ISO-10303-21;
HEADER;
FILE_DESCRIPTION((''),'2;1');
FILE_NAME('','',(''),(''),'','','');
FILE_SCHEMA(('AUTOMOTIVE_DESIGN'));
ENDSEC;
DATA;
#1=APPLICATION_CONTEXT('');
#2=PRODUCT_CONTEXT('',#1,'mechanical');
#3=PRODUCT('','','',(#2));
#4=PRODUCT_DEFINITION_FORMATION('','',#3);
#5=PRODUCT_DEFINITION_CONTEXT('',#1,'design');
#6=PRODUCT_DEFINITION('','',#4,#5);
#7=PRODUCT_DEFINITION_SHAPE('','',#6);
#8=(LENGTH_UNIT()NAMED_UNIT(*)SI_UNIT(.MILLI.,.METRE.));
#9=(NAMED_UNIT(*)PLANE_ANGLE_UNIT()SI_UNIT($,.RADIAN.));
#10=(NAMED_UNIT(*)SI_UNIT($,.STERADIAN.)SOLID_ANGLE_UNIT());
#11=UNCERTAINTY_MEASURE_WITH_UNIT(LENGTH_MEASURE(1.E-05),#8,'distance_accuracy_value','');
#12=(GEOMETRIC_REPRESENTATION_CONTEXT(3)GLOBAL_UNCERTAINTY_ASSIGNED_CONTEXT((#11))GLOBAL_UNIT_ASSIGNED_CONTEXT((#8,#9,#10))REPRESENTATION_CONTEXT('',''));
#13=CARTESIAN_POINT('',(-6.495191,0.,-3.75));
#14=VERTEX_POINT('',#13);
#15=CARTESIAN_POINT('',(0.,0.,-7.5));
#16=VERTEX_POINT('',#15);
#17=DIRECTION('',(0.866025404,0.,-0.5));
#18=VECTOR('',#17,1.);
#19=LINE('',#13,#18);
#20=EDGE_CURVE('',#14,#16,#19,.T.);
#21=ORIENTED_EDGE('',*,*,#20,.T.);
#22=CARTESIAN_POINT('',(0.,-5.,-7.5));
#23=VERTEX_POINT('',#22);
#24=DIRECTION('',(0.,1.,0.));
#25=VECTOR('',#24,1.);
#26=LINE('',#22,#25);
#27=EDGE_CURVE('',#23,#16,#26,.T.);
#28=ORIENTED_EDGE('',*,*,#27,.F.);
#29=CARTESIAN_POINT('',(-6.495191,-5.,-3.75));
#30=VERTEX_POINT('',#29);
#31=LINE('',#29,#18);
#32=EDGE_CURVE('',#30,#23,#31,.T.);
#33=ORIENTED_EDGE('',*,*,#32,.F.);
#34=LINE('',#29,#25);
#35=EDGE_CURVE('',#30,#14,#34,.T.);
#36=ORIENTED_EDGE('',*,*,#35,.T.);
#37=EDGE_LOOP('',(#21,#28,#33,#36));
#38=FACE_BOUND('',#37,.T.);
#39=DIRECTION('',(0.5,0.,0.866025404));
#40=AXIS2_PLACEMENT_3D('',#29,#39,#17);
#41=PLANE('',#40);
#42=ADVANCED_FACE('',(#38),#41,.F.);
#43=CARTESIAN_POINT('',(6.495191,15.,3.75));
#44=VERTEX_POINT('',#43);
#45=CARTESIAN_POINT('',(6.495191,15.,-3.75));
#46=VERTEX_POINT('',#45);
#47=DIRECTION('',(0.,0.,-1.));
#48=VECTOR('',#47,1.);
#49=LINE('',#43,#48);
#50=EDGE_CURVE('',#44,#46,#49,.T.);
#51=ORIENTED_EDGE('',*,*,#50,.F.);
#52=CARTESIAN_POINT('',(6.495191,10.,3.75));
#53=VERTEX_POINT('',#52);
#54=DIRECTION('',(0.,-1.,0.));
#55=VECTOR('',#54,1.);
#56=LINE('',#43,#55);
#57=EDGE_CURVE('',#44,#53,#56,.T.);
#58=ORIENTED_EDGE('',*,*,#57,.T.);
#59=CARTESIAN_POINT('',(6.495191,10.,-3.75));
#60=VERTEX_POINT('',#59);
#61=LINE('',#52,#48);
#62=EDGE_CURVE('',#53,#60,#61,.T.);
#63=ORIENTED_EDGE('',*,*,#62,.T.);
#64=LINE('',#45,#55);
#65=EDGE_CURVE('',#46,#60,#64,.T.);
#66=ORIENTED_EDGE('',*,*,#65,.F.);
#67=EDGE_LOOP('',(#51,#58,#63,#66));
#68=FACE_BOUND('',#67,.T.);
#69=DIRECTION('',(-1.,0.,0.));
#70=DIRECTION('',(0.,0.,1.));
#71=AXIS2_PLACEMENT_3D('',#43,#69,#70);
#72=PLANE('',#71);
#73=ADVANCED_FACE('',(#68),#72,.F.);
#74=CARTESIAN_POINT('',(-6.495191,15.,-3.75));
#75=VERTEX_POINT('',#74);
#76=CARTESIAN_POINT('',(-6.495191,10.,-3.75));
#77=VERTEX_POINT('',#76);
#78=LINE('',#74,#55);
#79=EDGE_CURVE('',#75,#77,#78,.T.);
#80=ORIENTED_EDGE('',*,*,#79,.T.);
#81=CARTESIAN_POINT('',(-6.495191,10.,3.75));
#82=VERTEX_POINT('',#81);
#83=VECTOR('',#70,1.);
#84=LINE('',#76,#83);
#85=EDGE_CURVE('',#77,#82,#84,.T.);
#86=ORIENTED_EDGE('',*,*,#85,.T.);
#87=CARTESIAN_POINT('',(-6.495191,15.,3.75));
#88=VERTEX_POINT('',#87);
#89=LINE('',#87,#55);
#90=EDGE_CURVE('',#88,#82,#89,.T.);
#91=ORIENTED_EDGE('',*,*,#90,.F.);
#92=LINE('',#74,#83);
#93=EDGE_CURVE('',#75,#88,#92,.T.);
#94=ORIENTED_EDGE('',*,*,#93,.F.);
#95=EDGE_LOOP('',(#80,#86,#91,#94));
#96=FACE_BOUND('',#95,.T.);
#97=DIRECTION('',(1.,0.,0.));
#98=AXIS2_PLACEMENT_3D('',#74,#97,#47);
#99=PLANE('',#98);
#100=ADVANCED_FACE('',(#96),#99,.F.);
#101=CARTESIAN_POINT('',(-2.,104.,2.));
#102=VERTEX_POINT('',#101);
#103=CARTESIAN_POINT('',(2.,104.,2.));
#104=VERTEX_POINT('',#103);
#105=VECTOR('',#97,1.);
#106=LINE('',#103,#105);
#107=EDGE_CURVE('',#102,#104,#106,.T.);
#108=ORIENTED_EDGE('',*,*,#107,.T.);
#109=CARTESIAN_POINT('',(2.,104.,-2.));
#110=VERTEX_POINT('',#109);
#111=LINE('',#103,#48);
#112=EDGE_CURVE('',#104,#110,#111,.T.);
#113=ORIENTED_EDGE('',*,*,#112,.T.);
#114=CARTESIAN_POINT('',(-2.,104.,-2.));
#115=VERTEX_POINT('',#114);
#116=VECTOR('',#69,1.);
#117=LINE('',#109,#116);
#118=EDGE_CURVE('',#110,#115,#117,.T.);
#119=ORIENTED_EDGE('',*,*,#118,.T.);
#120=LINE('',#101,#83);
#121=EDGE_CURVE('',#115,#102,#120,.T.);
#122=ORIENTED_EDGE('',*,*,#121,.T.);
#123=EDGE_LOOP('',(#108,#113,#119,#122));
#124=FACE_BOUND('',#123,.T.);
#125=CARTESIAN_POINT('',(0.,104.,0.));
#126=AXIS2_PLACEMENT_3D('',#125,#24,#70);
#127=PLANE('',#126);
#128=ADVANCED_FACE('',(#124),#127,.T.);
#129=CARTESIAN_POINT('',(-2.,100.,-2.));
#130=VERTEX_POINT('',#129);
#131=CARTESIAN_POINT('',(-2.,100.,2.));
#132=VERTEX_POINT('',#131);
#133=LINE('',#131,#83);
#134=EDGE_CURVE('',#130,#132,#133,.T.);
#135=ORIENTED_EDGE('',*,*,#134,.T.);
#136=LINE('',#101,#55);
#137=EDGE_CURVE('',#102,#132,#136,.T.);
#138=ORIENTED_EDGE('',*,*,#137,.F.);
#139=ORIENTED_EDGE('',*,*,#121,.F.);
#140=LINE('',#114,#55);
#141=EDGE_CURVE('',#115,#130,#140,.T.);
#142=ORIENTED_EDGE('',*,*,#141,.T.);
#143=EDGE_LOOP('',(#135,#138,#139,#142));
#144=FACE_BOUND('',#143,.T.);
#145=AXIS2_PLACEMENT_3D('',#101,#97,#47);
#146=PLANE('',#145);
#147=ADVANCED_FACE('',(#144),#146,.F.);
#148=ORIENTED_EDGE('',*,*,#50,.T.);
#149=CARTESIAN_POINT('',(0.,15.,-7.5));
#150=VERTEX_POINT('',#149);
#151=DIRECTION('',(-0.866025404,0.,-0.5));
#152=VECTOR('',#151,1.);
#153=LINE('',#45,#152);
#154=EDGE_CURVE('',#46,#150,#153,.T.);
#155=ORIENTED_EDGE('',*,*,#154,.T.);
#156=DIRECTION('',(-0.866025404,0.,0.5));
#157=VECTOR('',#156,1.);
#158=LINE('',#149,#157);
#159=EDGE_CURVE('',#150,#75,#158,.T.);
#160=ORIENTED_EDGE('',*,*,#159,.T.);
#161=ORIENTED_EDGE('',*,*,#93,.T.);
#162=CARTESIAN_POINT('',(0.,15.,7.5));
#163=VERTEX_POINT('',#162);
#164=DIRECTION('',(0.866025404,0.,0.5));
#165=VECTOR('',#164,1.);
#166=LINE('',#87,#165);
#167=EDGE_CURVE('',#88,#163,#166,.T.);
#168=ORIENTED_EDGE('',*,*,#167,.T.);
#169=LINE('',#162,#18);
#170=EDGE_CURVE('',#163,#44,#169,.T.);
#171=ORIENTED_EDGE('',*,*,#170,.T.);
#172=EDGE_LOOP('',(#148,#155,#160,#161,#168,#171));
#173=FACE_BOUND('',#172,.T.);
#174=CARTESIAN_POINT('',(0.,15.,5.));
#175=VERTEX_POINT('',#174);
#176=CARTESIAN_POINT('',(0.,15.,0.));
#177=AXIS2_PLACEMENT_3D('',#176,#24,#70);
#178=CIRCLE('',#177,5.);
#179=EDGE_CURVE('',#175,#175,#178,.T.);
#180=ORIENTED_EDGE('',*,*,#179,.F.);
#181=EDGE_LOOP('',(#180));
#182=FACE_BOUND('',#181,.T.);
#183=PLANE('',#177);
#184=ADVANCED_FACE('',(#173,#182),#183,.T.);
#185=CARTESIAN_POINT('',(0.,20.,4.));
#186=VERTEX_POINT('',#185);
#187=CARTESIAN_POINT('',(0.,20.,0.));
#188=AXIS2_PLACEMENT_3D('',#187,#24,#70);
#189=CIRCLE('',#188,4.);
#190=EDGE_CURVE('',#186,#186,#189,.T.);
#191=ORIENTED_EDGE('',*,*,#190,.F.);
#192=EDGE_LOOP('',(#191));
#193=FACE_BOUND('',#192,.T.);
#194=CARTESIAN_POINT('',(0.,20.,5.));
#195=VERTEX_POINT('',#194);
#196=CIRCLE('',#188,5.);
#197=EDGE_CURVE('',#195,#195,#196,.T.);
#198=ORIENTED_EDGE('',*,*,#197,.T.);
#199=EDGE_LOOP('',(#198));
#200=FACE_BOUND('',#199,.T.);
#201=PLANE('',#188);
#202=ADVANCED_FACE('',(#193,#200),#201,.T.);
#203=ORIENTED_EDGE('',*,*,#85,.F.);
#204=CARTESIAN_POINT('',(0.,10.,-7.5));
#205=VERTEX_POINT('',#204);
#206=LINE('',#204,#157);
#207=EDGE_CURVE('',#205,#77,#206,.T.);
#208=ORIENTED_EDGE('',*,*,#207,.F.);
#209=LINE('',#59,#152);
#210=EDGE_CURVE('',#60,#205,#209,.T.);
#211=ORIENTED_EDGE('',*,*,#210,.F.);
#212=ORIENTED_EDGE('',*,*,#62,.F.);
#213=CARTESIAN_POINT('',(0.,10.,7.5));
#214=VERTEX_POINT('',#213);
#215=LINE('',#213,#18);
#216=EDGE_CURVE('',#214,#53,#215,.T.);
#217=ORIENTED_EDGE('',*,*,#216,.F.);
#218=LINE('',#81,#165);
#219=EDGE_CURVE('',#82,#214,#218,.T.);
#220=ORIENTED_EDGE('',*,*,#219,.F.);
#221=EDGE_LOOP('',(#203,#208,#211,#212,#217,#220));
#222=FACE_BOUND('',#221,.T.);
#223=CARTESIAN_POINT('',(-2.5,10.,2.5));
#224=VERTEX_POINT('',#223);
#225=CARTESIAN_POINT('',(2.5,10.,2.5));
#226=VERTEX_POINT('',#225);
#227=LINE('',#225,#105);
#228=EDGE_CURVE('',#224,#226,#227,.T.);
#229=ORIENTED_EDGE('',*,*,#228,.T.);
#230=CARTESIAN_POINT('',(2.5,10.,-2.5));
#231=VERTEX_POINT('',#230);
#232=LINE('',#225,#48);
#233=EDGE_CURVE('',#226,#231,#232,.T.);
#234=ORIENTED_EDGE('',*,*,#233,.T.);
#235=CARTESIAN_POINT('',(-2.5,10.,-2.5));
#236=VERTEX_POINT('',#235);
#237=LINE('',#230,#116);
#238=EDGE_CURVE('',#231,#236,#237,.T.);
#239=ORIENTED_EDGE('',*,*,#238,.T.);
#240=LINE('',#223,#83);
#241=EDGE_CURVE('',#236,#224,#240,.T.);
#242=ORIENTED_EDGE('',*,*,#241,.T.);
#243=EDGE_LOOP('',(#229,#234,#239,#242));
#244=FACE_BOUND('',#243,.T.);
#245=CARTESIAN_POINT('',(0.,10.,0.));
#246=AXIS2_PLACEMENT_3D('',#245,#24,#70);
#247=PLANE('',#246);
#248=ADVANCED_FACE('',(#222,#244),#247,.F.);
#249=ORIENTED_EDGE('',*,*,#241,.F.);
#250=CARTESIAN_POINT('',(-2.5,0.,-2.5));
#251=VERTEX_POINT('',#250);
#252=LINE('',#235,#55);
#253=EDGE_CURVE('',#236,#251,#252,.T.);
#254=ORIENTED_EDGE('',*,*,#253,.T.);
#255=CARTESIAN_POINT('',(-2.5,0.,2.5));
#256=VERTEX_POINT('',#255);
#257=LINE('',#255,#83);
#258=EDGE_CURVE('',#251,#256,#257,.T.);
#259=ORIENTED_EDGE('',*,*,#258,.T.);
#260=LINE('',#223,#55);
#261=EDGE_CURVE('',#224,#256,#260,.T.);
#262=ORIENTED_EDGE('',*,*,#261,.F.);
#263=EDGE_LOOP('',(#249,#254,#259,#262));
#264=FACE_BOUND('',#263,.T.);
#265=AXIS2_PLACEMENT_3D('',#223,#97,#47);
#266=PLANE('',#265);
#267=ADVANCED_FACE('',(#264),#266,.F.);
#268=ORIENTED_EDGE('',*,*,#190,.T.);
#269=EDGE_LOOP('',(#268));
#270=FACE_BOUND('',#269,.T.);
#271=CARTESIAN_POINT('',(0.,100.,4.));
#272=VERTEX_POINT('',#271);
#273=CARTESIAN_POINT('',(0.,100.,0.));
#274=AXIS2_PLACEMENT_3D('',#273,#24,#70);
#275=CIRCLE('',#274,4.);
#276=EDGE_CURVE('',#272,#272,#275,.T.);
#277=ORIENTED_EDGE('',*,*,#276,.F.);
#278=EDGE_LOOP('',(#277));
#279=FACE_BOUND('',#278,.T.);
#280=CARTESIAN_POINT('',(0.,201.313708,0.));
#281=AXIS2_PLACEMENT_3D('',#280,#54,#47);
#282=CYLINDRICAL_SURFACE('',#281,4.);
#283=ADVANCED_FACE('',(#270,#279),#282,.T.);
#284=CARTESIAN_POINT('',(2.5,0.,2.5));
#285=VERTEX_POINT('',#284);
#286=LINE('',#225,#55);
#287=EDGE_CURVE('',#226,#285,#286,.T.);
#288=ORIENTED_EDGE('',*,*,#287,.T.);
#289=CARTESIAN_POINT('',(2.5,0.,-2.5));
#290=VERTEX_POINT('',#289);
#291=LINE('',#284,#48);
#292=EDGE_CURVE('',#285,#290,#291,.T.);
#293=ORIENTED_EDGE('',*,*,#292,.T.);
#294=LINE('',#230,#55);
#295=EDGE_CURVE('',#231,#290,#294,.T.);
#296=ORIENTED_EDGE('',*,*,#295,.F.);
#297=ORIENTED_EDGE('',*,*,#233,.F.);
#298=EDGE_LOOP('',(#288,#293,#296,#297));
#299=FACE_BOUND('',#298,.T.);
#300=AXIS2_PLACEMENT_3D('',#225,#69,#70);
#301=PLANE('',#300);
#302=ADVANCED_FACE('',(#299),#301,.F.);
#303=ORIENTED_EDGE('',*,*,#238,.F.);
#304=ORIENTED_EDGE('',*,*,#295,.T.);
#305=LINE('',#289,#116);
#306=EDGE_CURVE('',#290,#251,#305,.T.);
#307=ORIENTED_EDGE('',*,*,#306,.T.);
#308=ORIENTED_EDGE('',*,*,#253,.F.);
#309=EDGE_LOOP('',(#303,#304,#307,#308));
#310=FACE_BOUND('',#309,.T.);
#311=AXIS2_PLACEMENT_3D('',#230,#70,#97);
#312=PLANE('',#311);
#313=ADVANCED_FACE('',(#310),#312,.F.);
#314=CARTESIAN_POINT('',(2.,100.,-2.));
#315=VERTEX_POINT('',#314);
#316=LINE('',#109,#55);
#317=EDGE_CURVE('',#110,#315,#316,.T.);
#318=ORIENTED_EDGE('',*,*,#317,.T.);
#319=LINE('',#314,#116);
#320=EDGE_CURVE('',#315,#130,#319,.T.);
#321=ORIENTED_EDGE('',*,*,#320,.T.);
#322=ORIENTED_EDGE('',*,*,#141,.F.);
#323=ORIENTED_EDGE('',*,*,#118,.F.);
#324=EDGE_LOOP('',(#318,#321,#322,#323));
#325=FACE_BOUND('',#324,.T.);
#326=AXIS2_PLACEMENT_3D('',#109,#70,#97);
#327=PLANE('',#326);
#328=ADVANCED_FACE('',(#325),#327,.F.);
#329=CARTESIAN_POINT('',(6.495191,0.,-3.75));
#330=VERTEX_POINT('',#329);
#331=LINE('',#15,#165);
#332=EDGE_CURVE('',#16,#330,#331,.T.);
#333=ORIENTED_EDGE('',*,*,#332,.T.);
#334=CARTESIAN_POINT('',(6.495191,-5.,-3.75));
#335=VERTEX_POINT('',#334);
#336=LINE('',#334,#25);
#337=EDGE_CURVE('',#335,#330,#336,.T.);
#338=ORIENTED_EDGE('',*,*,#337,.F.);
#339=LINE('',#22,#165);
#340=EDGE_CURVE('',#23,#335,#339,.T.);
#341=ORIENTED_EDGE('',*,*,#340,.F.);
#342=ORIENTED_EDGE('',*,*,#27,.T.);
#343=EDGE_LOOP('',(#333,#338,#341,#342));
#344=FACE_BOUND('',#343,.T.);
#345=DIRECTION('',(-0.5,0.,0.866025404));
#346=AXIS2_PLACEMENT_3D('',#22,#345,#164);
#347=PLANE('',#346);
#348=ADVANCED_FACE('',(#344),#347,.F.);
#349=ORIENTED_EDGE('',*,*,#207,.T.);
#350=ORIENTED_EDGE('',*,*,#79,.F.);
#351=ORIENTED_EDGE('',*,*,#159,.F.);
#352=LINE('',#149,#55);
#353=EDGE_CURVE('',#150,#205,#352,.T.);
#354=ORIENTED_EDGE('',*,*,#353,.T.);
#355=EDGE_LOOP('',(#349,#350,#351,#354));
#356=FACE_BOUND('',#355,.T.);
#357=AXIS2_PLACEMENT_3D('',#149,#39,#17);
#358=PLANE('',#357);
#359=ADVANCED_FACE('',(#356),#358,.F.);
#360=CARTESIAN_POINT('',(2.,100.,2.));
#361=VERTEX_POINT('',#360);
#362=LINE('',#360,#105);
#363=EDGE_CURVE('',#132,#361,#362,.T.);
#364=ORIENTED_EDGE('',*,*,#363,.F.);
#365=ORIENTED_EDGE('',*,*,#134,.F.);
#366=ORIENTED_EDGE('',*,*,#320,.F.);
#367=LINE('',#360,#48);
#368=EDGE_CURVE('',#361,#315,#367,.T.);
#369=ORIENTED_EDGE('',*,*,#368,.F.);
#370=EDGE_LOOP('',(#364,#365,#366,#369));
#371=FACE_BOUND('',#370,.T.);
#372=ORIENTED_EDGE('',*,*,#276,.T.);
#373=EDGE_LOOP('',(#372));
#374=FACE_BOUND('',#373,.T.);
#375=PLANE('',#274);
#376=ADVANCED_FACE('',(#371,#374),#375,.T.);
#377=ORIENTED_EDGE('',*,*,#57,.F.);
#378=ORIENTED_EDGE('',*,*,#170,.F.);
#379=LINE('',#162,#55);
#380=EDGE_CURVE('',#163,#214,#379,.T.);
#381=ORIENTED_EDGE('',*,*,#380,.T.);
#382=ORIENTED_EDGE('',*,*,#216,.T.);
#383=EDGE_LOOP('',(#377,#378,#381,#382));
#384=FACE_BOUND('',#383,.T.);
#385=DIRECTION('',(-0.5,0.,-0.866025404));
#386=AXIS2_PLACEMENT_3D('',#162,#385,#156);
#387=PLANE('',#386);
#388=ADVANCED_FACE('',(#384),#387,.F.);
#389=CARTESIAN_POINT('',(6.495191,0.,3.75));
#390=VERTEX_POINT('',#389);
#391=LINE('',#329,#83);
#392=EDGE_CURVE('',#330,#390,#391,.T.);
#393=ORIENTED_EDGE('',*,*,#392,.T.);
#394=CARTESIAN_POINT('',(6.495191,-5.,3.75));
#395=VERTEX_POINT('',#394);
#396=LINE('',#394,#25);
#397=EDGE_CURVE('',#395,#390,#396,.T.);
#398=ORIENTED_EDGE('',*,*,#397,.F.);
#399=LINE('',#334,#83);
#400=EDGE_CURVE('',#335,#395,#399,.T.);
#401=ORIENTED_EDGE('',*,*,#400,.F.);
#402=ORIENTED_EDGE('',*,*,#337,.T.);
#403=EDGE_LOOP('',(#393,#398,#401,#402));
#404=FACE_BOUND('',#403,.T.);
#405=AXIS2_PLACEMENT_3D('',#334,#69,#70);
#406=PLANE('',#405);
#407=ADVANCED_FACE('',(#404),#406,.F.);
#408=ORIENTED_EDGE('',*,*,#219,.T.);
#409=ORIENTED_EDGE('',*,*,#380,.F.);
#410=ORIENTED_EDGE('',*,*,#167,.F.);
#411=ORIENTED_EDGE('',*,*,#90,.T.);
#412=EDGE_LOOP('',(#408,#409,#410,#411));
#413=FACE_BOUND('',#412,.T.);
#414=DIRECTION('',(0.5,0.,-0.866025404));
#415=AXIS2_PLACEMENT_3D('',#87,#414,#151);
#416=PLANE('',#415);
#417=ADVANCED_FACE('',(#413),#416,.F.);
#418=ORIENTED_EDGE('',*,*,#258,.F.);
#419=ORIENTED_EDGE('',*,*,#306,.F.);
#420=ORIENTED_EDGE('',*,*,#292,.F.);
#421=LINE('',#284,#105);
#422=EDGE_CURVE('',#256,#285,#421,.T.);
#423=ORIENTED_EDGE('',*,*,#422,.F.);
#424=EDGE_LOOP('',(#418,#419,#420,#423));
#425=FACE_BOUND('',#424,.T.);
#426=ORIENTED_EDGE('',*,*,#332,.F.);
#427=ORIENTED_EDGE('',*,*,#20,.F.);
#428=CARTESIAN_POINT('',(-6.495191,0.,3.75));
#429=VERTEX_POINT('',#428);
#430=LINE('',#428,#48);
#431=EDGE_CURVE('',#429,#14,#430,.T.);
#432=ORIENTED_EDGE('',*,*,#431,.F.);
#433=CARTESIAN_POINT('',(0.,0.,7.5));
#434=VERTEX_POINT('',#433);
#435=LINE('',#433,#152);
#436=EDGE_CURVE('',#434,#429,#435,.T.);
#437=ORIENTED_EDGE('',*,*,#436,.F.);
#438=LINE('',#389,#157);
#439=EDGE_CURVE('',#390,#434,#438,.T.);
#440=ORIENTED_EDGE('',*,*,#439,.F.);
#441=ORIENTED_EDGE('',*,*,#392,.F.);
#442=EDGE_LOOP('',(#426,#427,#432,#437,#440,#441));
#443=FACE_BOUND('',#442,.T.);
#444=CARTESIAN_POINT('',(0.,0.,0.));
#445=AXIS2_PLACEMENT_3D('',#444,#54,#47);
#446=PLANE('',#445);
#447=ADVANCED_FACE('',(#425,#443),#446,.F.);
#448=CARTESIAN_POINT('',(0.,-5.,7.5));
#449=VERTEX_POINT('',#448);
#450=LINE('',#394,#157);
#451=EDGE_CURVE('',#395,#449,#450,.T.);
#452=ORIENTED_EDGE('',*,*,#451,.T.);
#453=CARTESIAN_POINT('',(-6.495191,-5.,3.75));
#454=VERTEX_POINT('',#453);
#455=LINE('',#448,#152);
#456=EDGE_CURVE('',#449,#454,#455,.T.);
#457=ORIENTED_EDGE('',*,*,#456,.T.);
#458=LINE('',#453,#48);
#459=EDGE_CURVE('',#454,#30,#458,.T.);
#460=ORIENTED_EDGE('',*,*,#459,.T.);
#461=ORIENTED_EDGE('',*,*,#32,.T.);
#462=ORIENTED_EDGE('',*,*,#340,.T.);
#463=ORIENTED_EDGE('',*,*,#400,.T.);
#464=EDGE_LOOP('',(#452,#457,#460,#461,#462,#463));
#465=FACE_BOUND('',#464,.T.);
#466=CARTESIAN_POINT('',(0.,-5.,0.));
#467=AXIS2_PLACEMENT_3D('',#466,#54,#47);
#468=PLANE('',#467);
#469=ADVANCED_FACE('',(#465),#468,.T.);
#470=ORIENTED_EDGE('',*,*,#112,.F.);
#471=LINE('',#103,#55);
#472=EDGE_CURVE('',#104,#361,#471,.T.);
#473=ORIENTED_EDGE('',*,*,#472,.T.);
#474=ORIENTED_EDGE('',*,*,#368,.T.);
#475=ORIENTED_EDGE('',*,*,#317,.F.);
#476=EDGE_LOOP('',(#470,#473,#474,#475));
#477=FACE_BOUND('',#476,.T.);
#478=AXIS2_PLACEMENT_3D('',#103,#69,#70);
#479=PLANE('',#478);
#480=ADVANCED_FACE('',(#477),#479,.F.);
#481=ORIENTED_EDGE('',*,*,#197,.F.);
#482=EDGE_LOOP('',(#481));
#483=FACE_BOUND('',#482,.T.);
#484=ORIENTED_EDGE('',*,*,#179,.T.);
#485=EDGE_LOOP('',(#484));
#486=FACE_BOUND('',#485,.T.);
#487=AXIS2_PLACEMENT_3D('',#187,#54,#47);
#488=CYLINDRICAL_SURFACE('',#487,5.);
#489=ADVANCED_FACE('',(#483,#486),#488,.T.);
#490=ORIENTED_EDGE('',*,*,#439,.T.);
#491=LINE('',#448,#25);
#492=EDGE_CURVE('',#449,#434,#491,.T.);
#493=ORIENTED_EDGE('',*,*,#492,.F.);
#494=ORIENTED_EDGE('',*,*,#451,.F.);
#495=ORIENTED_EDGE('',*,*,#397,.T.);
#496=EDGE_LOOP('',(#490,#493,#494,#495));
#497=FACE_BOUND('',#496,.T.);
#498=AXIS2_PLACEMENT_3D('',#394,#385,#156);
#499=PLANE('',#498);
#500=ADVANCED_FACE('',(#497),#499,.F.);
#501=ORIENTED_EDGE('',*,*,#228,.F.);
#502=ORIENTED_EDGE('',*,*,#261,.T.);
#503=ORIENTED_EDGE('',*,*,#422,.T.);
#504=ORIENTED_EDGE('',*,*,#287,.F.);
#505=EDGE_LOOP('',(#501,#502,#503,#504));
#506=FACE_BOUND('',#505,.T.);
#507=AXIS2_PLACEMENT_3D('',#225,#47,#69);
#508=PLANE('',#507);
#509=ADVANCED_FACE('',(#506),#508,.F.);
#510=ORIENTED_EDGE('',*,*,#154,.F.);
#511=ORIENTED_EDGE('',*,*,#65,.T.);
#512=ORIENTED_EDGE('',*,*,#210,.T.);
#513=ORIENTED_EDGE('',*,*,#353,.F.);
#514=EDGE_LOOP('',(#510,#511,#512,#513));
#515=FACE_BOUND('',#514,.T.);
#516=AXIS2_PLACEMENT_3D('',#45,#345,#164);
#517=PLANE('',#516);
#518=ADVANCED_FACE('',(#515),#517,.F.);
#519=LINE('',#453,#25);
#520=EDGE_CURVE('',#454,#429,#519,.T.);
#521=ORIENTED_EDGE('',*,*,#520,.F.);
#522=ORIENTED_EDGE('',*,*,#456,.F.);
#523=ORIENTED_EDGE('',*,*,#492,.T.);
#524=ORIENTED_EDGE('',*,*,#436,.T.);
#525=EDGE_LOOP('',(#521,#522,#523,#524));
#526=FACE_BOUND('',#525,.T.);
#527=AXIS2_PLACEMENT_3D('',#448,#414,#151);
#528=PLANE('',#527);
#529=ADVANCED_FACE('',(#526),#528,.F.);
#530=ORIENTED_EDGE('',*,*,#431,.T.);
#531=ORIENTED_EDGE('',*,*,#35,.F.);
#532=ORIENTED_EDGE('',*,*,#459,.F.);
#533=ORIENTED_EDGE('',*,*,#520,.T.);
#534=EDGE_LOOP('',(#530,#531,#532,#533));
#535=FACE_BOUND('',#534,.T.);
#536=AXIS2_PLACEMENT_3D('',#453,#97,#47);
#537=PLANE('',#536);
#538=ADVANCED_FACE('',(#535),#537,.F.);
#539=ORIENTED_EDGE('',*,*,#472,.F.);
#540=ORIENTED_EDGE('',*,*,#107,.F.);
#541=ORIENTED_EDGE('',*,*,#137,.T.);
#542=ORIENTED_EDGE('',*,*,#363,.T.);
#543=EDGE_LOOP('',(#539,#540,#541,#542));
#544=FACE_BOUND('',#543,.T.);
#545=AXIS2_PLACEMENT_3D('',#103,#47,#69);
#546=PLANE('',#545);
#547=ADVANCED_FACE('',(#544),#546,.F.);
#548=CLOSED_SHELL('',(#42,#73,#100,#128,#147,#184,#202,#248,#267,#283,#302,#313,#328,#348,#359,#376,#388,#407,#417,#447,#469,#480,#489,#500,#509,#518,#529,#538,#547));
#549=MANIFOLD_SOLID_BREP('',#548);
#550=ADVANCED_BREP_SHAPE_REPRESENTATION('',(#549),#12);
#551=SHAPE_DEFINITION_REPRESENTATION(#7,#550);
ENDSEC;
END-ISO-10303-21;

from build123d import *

# Parameters (mm, degrees)
SKETCH1_W           = 5
SKETCH1_H           = 5
BOSS_EXTRUDE1_DEPTH = 10
BOSS_EXTRUDE2_DEPTH = 5
BOSS_EXTRUDE3_DEPTH = 5
SKETCH4_R           = 5
BOSS_EXTRUDE4_DEPTH = 5
SKETCH5_R           = 4
BOSS_EXTRUDE5_DEPTH = 80
SKETCH6_W           = 4
SKETCH6_H           = 4
BOSS_EXTRUDE6_DEPTH = 4


with BuildPart() as part:
    # Sketch1 → Boss-Extrude1 (new body)
    with BuildSketch(Plane(origin=(0, 0, 0), x_dir=(1, 0, 0), z_dir=(0, 1, 0))):
        Rectangle(SKETCH1_W, SKETCH1_H)
    extrude(amount=BOSS_EXTRUDE1_DEPTH)

    # Sketch2 → Boss-Extrude2 (add)
    with BuildSketch(Plane.XZ):
        Polygon((0, 7.5), (-6.495190528, 3.75), (-6.495190528, -3.75), (0, -7.5), (6.495190528, -3.75), (6.495190528, 3.75), align=None)
    extrude(amount=BOSS_EXTRUDE2_DEPTH)

    # Sketch3 → Boss-Extrude3 (add)
    with BuildSketch(Plane(origin=(0, 10, 0), x_dir=(1, 0, 0), z_dir=(0, 1, 0))):
        Polygon((0, -7.5), (6.495190528, -3.75), (6.495190528, 3.75), (0, 7.5), (-6.495190528, 3.75), (-6.495190528, -3.75), align=None)
    extrude(amount=BOSS_EXTRUDE3_DEPTH)

    # Sketch4 → Boss-Extrude4 (add)
    with BuildSketch(Plane(origin=(0, 15, 0), x_dir=(1, 0, 0), z_dir=(0, 1, 0))):
        Circle(SKETCH4_R)
    extrude(amount=BOSS_EXTRUDE4_DEPTH)

    # Sketch5 → Boss-Extrude5 (add)
    with BuildSketch(Plane(origin=(0, 20, 0), x_dir=(1, 0, 0), z_dir=(0, 1, 0))):
        Circle(SKETCH5_R)
    extrude(amount=BOSS_EXTRUDE5_DEPTH)

    # Sketch6 → Boss-Extrude6 (add)
    with BuildSketch(Plane(origin=(0, 100, 0), x_dir=(1, 0, 0), z_dir=(0, 1, 0))):
        Rectangle(SKETCH6_W, SKETCH6_H)
    extrude(amount=BOSS_EXTRUDE6_DEPTH)


solid = part.part
